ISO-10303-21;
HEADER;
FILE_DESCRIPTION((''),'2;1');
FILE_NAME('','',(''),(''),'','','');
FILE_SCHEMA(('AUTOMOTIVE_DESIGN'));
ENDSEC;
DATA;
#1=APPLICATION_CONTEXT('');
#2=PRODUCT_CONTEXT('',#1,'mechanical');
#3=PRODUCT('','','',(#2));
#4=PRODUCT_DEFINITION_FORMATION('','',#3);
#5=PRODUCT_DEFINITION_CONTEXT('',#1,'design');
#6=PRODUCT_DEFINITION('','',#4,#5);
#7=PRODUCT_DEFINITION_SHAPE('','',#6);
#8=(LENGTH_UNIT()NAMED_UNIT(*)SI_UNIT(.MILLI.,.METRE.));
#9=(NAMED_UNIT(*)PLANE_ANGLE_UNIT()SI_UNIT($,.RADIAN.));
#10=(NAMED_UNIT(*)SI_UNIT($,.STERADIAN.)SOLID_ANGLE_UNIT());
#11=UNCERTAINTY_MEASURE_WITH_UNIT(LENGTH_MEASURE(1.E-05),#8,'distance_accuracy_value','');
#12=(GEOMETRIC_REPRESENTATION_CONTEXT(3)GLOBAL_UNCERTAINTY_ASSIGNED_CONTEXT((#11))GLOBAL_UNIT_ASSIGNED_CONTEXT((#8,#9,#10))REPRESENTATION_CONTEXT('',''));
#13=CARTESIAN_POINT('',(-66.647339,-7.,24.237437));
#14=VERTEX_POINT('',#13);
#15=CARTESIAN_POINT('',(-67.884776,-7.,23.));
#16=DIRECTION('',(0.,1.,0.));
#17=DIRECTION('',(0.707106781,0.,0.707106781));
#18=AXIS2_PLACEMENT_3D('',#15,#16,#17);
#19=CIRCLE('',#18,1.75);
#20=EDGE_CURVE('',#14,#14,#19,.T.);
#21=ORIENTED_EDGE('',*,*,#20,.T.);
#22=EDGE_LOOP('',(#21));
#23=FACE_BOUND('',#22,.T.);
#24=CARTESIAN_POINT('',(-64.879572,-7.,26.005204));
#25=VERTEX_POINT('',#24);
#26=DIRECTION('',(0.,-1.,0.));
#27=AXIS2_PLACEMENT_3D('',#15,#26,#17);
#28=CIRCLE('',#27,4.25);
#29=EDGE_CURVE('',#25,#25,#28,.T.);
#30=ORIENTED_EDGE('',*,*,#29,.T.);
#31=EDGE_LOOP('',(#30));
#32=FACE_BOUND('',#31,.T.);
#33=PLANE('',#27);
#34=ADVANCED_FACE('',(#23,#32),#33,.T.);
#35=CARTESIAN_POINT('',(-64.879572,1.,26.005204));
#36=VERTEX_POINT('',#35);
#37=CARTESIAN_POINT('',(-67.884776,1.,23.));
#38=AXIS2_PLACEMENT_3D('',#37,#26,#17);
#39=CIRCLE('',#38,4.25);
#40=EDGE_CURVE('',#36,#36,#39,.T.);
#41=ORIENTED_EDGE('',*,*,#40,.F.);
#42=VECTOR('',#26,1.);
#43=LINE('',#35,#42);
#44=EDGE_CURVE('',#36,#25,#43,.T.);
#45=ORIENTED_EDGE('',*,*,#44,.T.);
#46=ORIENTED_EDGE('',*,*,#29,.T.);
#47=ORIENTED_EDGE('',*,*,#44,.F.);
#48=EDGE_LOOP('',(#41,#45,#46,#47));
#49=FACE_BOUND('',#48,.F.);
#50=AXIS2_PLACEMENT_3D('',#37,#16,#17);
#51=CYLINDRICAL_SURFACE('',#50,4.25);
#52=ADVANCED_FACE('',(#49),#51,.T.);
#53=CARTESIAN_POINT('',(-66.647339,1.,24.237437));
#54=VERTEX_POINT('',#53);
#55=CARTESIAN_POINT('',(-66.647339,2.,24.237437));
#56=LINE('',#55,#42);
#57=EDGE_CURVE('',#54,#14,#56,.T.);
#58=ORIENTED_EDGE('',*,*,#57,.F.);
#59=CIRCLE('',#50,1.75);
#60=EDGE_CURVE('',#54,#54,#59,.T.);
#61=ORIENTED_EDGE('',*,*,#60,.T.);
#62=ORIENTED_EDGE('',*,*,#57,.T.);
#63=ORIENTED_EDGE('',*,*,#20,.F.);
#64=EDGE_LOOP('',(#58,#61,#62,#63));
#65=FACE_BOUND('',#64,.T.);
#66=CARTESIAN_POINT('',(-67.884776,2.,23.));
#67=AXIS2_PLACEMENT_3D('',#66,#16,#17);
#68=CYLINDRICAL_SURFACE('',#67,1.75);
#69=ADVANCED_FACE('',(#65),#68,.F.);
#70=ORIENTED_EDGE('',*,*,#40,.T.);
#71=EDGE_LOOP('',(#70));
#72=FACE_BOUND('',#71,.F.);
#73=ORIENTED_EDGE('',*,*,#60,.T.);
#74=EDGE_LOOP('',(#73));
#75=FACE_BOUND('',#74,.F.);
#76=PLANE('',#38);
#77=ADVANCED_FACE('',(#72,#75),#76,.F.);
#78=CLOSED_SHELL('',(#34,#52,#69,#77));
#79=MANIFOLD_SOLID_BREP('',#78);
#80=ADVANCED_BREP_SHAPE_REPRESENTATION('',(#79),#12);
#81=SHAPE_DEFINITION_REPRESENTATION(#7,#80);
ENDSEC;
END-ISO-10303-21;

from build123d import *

# Parameters (mm, degrees)
CYLINDER_R        = 1.75
CYLINDER_DEPTH    = 10
CYLINDER001_R     = 4.25
CYLINDER001_DEPTH = 8
CLONE_ROLL_ANGLE  = 90
CLONE_PITCH_ANGLE = -45


with BuildPart() as spacer_hole_cylinder:
    # Cylinder → Cylinder (new body)
    with BuildSketch(Plane.XY.offset(-1)):
        Circle(CYLINDER_R)
    extrude(amount=CYLINDER_DEPTH)


with BuildPart() as x_motor_spacer_left:
    # Cylinder001 → Cylinder001 (new body)
    with BuildSketch(Plane.XY):
        Circle(CYLINDER001_R)
    extrude(amount=CYLINDER001_DEPTH)

    # Cut002: cut spacer-hole-cylinder
    add(spacer_hole_cylinder.part, mode=Mode.SUBTRACT)


with BuildPart() as x_motor_spacer_left_1:
    # Clone roll: moved
    add(x_motor_spacer_left.part.rotate(Axis((0, 0, 0), (1, 0, 0)), CLONE_ROLL_ANGLE))


with BuildPart() as x_motor_spacer_left_2:
    # Clone pitch: moved
    add(x_motor_spacer_left_1.part.rotate(Axis((0, 0, 0), (0, 1, 0)), CLONE_PITCH_ANGLE))


with BuildPart() as x_motor_spacer_left_3:
    # Clone placement: moved
    add(x_motor_spacer_left_2.part.moved(Location((-67.884776, 1, 23))))


solid = x_motor_spacer_left_3.part
